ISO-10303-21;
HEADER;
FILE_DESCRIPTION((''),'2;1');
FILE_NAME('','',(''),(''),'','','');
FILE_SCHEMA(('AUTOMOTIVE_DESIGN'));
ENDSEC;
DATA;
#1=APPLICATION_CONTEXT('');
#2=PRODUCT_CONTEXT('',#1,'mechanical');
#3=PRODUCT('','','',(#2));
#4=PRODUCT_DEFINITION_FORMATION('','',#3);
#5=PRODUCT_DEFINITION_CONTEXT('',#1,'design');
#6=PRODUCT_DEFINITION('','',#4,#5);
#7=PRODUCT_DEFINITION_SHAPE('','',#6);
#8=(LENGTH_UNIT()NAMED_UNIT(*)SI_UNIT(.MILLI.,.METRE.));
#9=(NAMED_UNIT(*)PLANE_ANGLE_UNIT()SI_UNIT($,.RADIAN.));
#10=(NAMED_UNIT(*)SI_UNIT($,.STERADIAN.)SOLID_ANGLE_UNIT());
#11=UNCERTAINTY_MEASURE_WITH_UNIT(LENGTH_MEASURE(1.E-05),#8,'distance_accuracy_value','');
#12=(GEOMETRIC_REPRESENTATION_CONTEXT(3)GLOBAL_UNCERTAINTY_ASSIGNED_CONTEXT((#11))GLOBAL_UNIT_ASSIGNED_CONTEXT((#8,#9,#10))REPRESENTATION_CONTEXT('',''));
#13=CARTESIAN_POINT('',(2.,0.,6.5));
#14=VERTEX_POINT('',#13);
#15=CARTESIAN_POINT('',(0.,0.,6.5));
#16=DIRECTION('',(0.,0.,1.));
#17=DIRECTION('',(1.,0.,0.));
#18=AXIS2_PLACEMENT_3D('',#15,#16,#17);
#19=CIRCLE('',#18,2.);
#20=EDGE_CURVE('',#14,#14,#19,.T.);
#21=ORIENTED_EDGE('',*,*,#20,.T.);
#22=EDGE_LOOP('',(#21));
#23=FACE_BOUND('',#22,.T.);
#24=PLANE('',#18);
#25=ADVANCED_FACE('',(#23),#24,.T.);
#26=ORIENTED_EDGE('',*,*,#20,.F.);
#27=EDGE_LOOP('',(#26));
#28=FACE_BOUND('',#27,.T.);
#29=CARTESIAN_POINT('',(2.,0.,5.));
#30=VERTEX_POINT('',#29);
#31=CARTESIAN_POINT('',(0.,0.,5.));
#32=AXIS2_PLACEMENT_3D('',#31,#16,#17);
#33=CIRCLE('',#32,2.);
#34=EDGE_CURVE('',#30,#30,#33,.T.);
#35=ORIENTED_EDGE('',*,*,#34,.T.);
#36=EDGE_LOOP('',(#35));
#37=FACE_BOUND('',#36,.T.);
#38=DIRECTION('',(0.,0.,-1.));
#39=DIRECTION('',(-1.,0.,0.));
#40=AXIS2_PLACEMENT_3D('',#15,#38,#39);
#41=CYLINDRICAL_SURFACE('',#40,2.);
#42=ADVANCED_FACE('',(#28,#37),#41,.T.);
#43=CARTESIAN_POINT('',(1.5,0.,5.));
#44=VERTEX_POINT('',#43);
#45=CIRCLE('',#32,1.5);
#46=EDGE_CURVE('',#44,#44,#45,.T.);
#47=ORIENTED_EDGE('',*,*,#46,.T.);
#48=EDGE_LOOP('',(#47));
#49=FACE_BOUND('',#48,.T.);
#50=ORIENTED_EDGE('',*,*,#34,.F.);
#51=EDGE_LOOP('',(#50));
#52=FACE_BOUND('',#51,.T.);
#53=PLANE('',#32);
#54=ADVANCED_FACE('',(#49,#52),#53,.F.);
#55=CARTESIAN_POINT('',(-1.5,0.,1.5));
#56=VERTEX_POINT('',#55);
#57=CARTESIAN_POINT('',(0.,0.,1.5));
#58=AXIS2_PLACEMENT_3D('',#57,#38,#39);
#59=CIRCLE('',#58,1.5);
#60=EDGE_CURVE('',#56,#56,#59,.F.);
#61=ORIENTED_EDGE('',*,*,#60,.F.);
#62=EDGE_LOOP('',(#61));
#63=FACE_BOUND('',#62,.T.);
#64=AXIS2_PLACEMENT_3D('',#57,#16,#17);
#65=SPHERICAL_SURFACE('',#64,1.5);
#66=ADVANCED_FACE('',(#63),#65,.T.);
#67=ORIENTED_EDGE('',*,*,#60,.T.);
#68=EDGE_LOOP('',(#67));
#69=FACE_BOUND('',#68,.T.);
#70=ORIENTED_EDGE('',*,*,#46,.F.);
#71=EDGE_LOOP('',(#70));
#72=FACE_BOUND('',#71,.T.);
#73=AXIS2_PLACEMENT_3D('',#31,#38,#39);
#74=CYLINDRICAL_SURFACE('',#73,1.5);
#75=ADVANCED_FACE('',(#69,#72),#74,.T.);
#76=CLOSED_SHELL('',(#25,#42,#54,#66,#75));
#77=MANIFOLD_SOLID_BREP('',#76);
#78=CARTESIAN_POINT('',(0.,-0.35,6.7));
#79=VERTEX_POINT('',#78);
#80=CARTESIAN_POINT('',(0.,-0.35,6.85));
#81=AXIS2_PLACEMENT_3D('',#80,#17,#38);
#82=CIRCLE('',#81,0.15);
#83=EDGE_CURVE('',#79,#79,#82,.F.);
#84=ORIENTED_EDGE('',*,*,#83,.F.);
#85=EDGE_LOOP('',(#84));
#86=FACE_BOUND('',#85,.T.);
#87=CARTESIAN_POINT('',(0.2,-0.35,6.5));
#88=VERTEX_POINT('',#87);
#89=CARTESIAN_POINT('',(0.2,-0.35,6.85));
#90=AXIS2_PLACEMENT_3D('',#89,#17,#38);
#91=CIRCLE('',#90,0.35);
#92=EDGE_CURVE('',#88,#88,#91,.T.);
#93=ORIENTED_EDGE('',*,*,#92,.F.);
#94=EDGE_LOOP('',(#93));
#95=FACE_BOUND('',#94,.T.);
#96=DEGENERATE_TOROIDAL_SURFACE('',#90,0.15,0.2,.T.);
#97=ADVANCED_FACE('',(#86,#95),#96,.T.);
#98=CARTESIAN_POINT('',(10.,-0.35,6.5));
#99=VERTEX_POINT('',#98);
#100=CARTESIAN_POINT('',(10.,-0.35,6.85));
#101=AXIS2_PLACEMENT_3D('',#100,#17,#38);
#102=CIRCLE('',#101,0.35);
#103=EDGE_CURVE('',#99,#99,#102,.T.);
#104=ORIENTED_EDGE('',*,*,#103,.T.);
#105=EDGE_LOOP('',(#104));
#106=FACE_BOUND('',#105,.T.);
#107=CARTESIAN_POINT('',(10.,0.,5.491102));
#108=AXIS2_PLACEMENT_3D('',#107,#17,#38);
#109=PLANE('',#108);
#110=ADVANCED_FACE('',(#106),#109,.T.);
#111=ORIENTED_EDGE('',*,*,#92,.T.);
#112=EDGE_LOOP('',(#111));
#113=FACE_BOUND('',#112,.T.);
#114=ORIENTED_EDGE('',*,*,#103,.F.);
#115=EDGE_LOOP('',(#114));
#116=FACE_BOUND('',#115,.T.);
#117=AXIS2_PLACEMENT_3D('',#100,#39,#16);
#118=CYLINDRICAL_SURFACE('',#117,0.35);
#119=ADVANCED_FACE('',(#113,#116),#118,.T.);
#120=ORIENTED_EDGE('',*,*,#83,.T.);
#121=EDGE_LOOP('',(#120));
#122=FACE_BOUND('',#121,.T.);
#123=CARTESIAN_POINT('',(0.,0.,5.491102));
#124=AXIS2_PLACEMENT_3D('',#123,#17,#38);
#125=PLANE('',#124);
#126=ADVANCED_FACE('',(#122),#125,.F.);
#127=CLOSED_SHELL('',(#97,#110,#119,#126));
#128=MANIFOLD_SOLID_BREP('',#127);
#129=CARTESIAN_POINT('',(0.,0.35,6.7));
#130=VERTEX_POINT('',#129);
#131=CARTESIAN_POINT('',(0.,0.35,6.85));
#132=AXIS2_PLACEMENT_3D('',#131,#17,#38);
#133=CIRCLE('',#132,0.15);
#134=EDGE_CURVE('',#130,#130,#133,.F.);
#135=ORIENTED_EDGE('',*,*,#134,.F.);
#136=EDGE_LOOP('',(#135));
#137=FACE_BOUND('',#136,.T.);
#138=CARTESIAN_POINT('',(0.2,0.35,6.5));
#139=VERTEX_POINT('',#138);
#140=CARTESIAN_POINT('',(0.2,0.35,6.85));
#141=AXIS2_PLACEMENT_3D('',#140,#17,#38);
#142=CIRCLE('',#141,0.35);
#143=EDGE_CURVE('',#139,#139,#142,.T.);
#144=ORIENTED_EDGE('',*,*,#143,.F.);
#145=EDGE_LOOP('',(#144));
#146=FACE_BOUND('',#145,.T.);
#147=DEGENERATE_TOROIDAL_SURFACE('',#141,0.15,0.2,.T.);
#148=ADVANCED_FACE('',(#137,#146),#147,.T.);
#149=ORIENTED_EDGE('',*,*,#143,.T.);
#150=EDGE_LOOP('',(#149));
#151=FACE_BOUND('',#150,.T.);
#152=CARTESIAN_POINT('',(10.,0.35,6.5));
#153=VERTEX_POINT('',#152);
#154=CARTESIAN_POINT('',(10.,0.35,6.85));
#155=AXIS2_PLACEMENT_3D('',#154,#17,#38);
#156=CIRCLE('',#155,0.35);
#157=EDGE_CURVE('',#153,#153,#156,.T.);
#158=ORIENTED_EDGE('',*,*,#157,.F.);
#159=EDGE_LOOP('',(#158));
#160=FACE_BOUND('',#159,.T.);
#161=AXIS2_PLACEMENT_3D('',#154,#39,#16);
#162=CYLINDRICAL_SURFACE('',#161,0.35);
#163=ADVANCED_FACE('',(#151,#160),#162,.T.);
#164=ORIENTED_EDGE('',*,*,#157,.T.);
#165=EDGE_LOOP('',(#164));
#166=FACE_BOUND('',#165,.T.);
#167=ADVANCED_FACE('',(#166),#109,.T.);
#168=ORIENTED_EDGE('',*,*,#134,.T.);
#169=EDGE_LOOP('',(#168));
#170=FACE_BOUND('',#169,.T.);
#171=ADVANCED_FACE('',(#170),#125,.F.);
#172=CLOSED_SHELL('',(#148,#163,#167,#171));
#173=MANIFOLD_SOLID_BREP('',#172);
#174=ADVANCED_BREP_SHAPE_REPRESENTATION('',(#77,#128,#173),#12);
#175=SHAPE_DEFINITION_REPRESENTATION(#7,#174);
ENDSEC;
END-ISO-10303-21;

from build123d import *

# Parameters (mm, degrees)
SKETCH1_R        = 1.5
EXTRUDE1_DEPTH   = 5
SKETCH2_R        = 2
EXTRUDE2_DEPTH   = 1.5
FILLET1_R        = 1.5
SKETCH3_R        = 0.35
EXTRUDE3_DEPTH   = 10
EXTRUDE3_2_DEPTH = 10
FILLET2_R        = 0.2
FILLET3_R        = 0.2


with BuildPart() as part:
    # Sketch1 → Extrude1 (new body)
    with BuildSketch(Plane.XY):
        Circle(SKETCH1_R)
    extrude(amount=EXTRUDE1_DEPTH)

    # Sketch2 → Extrude2 (add)
    with BuildSketch(Plane.XY.offset(5)):
        Circle(SKETCH2_R)
    extrude(amount=EXTRUDE2_DEPTH)

    # Fillet1
    fillet1_edges = [part.edges().sort_by_distance(p)[0] for p in [
        (-1.5, 0, 0),
    ]]
    fillet(fillet1_edges, radius=FILLET1_R)


with BuildPart() as body_2:
    # Sketch3 → Extrude3 (new body)
    with BuildSketch(Plane(origin=(0, 0, 0), x_dir=(0, 0, -1), z_dir=(1, 0, 0))):
        with Locations((-6.85, -0.35)):
            Circle(SKETCH3_R)
    extrude(amount=EXTRUDE3_DEPTH)

    # Fillet2
    fillet2_edges = [body_2.edges().sort_by_distance(p)[0] for p in [
        (0, -0.35, 7.2),
    ]]
    fillet(fillet2_edges, radius=FILLET2_R)


with BuildPart() as body_3:
    # Sketch3 → Extrude3 2 (new body)
    with BuildSketch(Plane(origin=(0, 0, 0), x_dir=(0, 0, -1), z_dir=(1, 0, 0))):
        with Locations((-6.85, 0.35)):
            Circle(SKETCH3_R)
    extrude(amount=EXTRUDE3_2_DEPTH)

    # Fillet3
    fillet3_edges = [body_3.edges().sort_by_distance(p)[0] for p in [
        (0, 0.35, 7.2),
    ]]
    fillet(fillet3_edges, radius=FILLET3_R)


solid = Compound([part.part, body_2.part, body_3.part])
